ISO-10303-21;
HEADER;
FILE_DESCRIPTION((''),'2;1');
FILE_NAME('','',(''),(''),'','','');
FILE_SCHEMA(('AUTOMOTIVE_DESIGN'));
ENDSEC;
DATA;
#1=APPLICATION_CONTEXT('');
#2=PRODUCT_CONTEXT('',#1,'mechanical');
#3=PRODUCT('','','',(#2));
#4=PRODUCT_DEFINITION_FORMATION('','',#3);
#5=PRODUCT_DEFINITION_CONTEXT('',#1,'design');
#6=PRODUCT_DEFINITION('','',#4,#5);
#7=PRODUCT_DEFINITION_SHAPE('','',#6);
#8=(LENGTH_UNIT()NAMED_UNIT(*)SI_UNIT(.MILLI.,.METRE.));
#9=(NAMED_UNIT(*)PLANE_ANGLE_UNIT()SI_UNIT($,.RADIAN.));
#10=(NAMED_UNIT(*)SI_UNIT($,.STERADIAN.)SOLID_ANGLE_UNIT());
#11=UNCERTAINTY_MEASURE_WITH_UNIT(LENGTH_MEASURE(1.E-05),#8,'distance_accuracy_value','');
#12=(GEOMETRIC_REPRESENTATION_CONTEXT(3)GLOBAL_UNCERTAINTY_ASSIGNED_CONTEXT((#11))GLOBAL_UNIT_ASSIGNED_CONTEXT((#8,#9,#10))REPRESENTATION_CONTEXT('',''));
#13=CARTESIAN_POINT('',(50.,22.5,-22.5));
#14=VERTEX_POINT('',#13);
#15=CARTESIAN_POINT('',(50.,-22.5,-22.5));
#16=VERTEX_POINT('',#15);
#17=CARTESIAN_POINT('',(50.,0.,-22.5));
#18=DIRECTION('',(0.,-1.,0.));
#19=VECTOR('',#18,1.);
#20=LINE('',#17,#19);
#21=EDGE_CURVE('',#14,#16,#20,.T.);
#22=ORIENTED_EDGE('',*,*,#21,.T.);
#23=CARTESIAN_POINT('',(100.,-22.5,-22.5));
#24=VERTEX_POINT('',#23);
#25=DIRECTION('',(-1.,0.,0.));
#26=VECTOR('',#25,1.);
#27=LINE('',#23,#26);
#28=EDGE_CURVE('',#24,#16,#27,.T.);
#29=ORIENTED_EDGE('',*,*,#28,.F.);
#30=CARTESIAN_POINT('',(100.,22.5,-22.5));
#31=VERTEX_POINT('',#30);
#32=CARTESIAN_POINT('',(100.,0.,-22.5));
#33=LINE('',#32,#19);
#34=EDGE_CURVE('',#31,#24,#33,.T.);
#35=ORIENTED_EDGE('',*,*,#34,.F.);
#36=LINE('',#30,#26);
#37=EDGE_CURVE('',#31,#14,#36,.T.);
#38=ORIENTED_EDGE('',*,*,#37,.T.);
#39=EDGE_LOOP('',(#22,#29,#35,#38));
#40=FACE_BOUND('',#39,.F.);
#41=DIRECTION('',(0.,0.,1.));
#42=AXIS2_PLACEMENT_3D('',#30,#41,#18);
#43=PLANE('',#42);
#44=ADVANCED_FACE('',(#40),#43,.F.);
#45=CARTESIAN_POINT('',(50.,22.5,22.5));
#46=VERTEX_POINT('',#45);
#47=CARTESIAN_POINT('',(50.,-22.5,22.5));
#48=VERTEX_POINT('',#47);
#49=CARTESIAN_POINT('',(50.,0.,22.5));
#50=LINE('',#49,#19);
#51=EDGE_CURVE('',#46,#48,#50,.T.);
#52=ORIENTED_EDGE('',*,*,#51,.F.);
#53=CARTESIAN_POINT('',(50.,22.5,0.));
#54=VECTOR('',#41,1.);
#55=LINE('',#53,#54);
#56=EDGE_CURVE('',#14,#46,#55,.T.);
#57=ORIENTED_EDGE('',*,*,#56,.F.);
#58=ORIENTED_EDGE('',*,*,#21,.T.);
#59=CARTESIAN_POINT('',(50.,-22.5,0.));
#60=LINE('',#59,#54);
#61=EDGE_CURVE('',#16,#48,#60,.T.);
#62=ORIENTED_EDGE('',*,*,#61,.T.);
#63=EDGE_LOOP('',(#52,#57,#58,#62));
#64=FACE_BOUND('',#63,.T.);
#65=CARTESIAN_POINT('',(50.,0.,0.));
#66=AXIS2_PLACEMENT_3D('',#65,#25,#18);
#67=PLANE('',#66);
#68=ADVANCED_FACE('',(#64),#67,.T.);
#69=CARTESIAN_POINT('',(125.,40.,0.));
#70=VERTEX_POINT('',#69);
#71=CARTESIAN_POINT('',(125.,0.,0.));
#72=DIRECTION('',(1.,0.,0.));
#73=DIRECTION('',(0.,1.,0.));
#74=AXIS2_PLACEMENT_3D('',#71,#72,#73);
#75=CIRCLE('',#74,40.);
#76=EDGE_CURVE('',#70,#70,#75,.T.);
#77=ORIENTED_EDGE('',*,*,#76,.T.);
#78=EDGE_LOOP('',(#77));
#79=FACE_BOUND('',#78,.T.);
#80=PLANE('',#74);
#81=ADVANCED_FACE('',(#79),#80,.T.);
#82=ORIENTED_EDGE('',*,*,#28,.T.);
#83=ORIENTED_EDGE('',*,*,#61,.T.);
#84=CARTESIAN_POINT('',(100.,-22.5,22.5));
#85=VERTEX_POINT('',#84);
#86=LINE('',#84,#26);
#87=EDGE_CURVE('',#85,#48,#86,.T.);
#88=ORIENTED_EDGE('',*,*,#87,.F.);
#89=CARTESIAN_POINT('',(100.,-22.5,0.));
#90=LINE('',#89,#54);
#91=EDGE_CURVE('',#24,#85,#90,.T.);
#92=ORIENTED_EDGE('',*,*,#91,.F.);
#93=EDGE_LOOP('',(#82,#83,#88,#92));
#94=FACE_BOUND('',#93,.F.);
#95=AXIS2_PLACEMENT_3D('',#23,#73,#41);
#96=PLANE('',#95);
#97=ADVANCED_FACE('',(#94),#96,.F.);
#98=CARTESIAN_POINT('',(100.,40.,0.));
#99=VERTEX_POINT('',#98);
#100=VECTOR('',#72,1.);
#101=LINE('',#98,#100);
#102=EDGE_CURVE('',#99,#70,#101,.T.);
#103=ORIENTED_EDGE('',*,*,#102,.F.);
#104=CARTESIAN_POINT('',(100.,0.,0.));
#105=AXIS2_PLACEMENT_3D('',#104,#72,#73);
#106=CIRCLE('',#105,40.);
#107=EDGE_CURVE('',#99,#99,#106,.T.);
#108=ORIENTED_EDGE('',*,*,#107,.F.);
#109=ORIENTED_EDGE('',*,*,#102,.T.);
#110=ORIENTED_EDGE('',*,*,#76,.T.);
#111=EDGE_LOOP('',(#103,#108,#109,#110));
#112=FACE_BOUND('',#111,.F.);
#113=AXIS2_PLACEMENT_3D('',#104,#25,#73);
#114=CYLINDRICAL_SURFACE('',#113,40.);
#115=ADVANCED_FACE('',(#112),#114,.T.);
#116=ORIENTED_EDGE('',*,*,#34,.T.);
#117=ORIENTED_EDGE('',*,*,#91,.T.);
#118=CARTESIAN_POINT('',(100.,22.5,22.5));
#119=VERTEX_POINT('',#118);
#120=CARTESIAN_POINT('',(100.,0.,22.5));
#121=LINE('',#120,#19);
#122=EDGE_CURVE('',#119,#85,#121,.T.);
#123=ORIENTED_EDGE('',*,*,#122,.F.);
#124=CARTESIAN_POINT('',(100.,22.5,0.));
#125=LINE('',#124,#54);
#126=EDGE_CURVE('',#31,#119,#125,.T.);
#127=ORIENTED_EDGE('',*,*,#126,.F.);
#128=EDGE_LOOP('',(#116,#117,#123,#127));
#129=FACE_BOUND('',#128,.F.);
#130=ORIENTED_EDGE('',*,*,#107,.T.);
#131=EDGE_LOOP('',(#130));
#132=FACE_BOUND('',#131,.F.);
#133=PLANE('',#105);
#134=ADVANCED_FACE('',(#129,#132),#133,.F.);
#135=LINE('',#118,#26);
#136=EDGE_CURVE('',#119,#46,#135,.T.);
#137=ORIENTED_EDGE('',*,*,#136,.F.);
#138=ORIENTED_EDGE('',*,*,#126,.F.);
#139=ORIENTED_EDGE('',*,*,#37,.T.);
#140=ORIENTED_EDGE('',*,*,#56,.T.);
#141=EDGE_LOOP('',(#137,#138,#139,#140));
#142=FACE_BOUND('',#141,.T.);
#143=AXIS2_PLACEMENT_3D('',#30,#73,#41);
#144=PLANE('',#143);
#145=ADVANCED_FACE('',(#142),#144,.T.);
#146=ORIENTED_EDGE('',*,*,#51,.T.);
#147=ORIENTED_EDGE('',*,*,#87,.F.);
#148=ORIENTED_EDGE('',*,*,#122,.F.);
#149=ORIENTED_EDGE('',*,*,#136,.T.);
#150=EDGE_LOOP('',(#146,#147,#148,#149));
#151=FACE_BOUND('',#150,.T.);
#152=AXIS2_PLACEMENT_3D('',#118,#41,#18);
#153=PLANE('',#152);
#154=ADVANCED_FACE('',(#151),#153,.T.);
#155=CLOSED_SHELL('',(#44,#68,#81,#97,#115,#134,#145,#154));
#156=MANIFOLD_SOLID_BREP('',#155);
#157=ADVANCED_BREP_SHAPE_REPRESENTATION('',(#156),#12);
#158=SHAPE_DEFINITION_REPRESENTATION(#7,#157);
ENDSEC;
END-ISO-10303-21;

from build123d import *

# Parameters (mm, degrees)
F1_R     = 40
F2_DEPTH = 25
F3_W     = 45
F3_H     = 45
F4_DEPTH = 50


with BuildPart() as f2:
    # F1 (on offset) → F2 (new body)
    with BuildSketch(Plane.YZ.offset(100)):
        Circle(F1_R)
    extrude(amount=F2_DEPTH)

    # F3 (on face) → F4 (join)
    with BuildSketch(Plane(origin=(100, 0, 0), x_dir=(0, -1, 0), z_dir=(-1, 0, 0))):
        Rectangle(F3_W, F3_H)
    extrude(amount=F4_DEPTH)


solid = f2.part
